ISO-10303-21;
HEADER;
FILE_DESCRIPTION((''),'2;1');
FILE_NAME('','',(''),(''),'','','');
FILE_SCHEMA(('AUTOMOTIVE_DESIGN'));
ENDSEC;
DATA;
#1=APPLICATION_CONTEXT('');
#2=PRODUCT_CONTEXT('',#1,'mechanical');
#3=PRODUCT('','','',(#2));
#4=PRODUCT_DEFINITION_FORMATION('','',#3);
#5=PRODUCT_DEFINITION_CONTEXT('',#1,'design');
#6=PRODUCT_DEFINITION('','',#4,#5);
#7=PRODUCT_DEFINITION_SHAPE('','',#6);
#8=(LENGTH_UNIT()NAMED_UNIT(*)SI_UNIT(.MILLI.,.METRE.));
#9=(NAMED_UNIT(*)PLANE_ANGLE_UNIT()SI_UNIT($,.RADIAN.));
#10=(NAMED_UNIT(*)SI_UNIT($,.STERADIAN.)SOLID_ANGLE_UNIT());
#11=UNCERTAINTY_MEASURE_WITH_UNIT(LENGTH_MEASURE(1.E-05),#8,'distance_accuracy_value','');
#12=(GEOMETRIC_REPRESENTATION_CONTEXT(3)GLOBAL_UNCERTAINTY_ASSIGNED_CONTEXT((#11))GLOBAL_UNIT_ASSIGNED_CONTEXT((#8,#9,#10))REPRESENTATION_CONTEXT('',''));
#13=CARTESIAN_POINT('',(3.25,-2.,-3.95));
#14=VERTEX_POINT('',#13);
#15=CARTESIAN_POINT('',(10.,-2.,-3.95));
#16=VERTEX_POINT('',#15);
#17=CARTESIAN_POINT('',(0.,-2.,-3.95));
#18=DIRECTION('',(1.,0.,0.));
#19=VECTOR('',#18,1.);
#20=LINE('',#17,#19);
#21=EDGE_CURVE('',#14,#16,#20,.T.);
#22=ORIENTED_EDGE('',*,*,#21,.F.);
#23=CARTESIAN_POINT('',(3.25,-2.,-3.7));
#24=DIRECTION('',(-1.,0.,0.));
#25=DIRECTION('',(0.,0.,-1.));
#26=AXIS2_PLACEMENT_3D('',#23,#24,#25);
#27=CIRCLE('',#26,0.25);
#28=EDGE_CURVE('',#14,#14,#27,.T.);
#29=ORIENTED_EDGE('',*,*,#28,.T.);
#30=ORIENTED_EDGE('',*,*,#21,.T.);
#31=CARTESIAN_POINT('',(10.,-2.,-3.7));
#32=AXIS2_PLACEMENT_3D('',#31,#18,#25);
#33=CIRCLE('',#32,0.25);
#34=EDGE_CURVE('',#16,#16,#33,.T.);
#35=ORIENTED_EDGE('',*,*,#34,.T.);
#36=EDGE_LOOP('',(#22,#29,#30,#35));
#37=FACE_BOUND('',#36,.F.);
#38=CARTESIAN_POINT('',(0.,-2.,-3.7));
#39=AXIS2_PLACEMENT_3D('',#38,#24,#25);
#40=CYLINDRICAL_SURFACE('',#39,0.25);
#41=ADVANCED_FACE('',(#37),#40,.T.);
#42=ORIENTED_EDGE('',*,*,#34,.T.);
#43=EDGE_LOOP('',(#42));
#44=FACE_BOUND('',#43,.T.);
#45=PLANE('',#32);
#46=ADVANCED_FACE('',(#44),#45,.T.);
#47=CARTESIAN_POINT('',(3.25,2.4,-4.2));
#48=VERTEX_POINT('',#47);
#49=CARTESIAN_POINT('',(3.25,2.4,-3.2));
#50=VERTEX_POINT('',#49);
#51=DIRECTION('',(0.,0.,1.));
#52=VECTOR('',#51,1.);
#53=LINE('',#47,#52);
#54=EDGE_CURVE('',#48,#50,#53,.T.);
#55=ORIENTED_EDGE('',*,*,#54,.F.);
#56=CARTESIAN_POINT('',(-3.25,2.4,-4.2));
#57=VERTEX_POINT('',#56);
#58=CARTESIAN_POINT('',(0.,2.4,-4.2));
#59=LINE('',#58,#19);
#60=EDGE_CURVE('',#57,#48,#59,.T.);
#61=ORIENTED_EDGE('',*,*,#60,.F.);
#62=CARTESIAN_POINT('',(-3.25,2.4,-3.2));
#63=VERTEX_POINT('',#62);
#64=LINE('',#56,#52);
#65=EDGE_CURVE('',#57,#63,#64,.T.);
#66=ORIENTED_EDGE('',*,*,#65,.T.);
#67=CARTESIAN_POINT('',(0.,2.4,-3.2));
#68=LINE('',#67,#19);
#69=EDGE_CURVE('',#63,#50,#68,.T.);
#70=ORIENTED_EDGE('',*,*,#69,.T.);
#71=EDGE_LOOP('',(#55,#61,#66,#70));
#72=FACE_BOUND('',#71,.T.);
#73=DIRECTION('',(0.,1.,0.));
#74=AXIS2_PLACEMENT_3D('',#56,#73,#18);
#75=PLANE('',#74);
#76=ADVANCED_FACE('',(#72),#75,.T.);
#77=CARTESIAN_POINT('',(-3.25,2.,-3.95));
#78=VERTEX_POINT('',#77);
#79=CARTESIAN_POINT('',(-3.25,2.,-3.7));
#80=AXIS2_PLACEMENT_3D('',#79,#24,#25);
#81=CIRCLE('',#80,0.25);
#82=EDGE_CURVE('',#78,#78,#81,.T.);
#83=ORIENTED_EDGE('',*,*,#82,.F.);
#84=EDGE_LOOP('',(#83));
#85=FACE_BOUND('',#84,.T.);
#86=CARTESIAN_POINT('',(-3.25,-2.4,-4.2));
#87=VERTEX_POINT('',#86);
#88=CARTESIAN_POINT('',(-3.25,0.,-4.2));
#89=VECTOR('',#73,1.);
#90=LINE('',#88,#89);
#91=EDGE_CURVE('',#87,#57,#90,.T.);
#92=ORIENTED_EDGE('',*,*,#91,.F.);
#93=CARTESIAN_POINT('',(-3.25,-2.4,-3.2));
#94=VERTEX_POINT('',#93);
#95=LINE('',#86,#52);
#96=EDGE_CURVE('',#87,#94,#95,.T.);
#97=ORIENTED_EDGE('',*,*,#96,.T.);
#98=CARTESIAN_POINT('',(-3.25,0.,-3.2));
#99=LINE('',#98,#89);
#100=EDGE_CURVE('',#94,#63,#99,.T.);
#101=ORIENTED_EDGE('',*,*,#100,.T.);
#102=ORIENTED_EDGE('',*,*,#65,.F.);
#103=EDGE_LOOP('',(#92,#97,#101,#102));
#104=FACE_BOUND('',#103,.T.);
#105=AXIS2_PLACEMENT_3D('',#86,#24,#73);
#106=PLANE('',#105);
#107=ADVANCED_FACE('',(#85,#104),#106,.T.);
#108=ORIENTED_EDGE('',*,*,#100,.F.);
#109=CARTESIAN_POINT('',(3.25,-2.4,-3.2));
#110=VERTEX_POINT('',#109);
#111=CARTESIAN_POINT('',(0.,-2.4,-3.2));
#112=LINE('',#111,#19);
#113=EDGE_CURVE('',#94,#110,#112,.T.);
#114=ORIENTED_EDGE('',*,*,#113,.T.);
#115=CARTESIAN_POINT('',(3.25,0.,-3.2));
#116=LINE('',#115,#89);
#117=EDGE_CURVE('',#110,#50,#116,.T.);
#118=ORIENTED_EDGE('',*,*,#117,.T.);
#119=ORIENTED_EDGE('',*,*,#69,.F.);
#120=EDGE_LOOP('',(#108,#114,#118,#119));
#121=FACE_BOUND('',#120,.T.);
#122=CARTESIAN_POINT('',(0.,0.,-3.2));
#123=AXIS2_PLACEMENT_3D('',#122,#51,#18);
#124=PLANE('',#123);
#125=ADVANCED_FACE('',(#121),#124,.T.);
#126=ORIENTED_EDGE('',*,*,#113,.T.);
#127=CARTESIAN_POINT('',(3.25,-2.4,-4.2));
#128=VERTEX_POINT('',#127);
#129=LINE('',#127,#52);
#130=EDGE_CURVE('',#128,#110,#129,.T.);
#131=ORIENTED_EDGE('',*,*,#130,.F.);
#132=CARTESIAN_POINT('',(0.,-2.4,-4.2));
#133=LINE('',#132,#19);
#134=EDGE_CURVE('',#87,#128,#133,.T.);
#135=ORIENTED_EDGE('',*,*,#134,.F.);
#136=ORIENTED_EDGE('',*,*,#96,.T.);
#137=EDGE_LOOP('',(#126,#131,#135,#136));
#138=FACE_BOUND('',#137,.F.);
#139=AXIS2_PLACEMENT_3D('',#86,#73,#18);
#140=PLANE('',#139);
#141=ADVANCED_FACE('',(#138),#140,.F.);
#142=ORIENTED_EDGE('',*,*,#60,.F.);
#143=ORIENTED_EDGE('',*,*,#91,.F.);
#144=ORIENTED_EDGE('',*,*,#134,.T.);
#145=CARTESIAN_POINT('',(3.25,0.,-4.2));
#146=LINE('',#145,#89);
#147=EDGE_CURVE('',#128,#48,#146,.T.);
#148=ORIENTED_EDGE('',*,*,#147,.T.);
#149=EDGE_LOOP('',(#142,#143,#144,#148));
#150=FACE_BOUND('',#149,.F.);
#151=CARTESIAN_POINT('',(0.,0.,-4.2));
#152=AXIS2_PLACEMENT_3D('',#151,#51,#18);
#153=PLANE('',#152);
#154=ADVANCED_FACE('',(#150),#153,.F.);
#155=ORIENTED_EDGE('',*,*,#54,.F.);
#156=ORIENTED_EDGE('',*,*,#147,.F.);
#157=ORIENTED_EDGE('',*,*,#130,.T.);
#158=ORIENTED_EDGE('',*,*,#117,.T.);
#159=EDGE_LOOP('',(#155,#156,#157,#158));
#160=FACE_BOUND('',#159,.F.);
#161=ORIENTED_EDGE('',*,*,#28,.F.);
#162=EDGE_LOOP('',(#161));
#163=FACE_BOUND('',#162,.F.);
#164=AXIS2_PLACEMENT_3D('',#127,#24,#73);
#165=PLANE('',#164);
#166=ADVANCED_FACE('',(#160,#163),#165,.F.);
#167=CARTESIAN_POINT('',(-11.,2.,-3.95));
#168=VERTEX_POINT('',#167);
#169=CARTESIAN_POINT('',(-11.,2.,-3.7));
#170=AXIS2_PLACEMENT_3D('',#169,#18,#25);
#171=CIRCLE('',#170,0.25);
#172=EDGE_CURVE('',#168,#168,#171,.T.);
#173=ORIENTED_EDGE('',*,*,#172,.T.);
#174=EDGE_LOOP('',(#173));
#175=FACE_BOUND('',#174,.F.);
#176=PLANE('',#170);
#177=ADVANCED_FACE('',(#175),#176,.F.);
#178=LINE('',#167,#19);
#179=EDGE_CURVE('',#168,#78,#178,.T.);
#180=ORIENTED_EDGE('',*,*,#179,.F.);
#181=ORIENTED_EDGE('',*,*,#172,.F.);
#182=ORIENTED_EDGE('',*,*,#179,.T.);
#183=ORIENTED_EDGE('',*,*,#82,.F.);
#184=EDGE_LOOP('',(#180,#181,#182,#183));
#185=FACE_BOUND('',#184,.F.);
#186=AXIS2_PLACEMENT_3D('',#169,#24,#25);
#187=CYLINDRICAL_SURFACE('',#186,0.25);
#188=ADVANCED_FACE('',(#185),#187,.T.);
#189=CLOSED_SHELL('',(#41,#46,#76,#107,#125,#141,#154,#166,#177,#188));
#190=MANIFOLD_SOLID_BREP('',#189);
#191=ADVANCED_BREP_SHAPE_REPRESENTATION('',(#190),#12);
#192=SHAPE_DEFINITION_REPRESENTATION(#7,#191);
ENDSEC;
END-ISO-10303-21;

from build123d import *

# Parameters (mm, degrees)
CYLINDER002_R           = 0.25
CYLINDER002_DEPTH       = 10
CYLINDER002_PITCH_ANGLE = 90
CYLINDER001_R           = 0.25
CYLINDER001_DEPTH       = 10
CYLINDER001_PITCH_ANGLE = 90
BOX_W                   = 6.5
BOX_H                   = 4.8
BOX_DEPTH               = 1


with BuildPart() as cylinder002:
    # Cylinder002 → Cylinder002 (new body)
    with BuildSketch(Plane.XY):
        Circle(CYLINDER002_R)
    extrude(amount=CYLINDER002_DEPTH)


with BuildPart() as cylinder002_1:
    # Cylinder002 pitch: moved
    add(cylinder002.part.rotate(Axis((0, 0, 0), (0, 1, 0)), CYLINDER002_PITCH_ANGLE))


with BuildPart() as cylinder002_2:
    # Cylinder002 placement: moved
    add(cylinder002_1.part.moved(Location((0, -2, -3.7))))


with BuildPart() as fusion002:
    # Cylinder001 → Cylinder001 (new body)
    with BuildSketch(Plane.XY):
        Circle(CYLINDER001_R)
    extrude(amount=CYLINDER001_DEPTH)


with BuildPart() as fusion002_1:
    # Cylinder001 pitch: moved
    add(fusion002.part.rotate(Axis((0, 0, 0), (0, 1, 0)), CYLINDER001_PITCH_ANGLE))


with BuildPart() as fusion002_2:
    # Cylinder001 placement: moved
    add(fusion002_1.part.moved(Location((-11, 2, -3.7))))

    # Fusion002: union Cylinder002
    add(cylinder002_2.part)


with BuildPart() as switch:
    # Box → Box (new body)
    with BuildSketch(Plane(origin=(-3.25, -2.4, -4.2), x_dir=(1, 0, 0), z_dir=(0, 0, 1))):
        with Locations((3.25, 2.4)):
            Rectangle(BOX_W, BOX_H)
    extrude(amount=BOX_DEPTH)

    # Fusion003: union Fusion002
    add(fusion002_2.part)


solid = switch.part
